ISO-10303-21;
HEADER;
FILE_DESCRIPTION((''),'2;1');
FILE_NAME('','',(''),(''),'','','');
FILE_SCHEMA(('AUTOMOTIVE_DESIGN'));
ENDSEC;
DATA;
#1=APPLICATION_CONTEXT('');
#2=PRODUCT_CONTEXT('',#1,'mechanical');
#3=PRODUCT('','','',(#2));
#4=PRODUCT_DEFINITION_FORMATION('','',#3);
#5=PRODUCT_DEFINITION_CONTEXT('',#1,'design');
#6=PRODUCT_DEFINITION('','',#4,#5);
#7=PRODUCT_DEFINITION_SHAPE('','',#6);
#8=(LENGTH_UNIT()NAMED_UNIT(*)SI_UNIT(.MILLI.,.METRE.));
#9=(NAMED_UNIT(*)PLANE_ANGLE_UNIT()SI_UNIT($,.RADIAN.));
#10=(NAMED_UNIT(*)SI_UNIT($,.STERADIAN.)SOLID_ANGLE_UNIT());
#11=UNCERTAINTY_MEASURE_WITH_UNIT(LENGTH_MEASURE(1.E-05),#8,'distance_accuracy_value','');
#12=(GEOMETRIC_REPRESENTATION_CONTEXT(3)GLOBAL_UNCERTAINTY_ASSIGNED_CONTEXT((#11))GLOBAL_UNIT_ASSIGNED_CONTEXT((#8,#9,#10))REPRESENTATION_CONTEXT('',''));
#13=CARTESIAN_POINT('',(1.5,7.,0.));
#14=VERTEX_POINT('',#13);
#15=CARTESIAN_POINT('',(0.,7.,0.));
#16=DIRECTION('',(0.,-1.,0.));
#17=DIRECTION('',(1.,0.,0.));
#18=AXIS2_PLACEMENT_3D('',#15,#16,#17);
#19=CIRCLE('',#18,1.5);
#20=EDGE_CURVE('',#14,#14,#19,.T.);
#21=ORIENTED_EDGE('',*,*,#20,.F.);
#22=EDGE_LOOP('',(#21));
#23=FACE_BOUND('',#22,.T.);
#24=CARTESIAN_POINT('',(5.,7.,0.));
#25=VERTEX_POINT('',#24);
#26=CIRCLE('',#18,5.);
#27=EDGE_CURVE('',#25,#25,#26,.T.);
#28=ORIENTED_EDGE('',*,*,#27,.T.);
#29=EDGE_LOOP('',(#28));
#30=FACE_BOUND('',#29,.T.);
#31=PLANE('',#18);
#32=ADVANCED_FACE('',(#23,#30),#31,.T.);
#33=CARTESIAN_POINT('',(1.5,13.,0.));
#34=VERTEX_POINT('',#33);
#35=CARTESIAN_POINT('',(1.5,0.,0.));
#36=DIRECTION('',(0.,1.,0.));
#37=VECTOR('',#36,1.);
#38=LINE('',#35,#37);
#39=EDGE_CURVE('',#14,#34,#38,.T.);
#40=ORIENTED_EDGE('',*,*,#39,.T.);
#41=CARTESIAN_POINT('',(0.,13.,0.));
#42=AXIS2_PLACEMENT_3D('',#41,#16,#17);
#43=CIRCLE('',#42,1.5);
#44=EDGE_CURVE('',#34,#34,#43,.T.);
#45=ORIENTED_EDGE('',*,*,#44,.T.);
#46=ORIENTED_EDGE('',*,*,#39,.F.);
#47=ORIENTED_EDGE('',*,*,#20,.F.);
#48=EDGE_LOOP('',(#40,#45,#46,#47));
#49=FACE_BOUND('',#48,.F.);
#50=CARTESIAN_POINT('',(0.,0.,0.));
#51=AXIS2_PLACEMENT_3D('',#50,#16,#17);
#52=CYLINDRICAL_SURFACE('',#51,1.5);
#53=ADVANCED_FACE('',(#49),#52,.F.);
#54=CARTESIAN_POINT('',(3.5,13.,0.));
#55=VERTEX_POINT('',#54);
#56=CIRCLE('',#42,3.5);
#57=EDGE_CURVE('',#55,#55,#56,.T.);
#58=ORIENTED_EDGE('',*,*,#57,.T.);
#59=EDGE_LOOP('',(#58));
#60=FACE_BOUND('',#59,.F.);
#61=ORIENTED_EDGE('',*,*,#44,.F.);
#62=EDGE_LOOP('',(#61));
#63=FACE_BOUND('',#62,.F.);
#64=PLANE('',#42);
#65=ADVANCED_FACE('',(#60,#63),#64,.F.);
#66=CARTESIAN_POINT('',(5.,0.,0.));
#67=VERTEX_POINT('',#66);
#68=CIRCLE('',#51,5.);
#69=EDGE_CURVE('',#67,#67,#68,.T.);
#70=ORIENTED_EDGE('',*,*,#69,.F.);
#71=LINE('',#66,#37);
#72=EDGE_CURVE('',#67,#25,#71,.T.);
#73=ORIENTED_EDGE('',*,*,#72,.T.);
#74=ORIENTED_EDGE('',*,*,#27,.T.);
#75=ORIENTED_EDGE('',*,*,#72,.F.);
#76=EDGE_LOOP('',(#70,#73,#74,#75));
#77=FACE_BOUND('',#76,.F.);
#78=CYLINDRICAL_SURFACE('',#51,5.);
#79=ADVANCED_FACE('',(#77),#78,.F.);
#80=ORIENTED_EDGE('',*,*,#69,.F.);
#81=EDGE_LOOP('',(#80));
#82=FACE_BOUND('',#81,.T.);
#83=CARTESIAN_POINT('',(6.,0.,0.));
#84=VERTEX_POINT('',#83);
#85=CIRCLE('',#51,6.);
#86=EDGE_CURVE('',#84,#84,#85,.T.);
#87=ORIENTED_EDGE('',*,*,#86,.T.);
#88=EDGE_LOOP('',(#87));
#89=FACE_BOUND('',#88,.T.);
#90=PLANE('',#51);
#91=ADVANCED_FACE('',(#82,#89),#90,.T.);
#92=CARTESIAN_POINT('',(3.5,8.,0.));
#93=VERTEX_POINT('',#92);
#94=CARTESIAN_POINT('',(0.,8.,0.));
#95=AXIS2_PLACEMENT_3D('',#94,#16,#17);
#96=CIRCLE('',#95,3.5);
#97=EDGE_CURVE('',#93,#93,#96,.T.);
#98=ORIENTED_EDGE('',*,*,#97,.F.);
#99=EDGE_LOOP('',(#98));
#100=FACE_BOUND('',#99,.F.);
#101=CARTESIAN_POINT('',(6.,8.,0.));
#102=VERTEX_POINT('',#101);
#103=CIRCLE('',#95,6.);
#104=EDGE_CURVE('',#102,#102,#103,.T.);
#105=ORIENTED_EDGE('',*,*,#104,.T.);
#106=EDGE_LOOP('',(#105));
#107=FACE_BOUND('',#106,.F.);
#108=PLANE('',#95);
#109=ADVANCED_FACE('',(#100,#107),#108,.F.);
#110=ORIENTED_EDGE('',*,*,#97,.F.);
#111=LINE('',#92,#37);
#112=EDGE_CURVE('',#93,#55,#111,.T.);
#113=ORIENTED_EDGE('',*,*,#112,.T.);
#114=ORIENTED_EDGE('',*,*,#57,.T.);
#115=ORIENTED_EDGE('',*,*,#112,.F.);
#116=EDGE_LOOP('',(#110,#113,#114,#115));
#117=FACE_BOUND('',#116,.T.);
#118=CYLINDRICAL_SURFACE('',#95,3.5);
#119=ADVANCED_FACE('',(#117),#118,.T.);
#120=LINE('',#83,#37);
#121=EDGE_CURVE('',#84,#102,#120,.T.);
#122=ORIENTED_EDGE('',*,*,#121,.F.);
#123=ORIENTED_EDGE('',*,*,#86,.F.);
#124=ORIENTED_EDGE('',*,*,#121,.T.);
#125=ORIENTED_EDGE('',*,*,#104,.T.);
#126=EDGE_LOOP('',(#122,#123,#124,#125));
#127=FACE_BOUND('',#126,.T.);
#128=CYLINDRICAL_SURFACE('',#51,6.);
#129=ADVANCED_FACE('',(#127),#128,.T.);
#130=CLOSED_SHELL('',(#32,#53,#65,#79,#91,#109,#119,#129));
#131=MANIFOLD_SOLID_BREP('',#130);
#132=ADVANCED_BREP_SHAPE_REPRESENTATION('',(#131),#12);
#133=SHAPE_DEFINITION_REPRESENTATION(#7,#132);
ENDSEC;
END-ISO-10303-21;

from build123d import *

# Parameters (mm, degrees)
F0_R     = 6
F0_R_2   = 5
F1_DEPTH = 8
F3_R     = 3.5
F3_R_2   = 1.5
F4_DEPTH = 5
F5_R     = 5
F6_DEPTH = 7
F7_R     = 1.5
F8_DEPTH = 25


with BuildPart() as f1:
    # F0 (on Front) → F1 (new body)
    with BuildSketch(Plane.XZ):
        Circle(F0_R)
        Circle(F0_R_2, mode=Mode.SUBTRACT)
        Circle(F0_R_2)
    extrude(amount=-F1_DEPTH)

    # F3 (on offset) → F4 (join)
    with BuildSketch(Plane.XZ.offset(-8)):
        Circle(F3_R)
        Circle(F3_R_2, mode=Mode.SUBTRACT)
        Circle(F3_R_2)
    extrude(amount=-F4_DEPTH)

    # F5 (on Front) → F6 (cut)
    with BuildSketch(Plane.XZ):
        Circle(F5_R)
    extrude(amount=-F6_DEPTH, mode=Mode.SUBTRACT)

    # F7 (on Front) → F8 (cut)
    with BuildSketch(Plane.XZ):
        Circle(F7_R)
    extrude(amount=-F8_DEPTH, mode=Mode.SUBTRACT)


solid = f1.part
